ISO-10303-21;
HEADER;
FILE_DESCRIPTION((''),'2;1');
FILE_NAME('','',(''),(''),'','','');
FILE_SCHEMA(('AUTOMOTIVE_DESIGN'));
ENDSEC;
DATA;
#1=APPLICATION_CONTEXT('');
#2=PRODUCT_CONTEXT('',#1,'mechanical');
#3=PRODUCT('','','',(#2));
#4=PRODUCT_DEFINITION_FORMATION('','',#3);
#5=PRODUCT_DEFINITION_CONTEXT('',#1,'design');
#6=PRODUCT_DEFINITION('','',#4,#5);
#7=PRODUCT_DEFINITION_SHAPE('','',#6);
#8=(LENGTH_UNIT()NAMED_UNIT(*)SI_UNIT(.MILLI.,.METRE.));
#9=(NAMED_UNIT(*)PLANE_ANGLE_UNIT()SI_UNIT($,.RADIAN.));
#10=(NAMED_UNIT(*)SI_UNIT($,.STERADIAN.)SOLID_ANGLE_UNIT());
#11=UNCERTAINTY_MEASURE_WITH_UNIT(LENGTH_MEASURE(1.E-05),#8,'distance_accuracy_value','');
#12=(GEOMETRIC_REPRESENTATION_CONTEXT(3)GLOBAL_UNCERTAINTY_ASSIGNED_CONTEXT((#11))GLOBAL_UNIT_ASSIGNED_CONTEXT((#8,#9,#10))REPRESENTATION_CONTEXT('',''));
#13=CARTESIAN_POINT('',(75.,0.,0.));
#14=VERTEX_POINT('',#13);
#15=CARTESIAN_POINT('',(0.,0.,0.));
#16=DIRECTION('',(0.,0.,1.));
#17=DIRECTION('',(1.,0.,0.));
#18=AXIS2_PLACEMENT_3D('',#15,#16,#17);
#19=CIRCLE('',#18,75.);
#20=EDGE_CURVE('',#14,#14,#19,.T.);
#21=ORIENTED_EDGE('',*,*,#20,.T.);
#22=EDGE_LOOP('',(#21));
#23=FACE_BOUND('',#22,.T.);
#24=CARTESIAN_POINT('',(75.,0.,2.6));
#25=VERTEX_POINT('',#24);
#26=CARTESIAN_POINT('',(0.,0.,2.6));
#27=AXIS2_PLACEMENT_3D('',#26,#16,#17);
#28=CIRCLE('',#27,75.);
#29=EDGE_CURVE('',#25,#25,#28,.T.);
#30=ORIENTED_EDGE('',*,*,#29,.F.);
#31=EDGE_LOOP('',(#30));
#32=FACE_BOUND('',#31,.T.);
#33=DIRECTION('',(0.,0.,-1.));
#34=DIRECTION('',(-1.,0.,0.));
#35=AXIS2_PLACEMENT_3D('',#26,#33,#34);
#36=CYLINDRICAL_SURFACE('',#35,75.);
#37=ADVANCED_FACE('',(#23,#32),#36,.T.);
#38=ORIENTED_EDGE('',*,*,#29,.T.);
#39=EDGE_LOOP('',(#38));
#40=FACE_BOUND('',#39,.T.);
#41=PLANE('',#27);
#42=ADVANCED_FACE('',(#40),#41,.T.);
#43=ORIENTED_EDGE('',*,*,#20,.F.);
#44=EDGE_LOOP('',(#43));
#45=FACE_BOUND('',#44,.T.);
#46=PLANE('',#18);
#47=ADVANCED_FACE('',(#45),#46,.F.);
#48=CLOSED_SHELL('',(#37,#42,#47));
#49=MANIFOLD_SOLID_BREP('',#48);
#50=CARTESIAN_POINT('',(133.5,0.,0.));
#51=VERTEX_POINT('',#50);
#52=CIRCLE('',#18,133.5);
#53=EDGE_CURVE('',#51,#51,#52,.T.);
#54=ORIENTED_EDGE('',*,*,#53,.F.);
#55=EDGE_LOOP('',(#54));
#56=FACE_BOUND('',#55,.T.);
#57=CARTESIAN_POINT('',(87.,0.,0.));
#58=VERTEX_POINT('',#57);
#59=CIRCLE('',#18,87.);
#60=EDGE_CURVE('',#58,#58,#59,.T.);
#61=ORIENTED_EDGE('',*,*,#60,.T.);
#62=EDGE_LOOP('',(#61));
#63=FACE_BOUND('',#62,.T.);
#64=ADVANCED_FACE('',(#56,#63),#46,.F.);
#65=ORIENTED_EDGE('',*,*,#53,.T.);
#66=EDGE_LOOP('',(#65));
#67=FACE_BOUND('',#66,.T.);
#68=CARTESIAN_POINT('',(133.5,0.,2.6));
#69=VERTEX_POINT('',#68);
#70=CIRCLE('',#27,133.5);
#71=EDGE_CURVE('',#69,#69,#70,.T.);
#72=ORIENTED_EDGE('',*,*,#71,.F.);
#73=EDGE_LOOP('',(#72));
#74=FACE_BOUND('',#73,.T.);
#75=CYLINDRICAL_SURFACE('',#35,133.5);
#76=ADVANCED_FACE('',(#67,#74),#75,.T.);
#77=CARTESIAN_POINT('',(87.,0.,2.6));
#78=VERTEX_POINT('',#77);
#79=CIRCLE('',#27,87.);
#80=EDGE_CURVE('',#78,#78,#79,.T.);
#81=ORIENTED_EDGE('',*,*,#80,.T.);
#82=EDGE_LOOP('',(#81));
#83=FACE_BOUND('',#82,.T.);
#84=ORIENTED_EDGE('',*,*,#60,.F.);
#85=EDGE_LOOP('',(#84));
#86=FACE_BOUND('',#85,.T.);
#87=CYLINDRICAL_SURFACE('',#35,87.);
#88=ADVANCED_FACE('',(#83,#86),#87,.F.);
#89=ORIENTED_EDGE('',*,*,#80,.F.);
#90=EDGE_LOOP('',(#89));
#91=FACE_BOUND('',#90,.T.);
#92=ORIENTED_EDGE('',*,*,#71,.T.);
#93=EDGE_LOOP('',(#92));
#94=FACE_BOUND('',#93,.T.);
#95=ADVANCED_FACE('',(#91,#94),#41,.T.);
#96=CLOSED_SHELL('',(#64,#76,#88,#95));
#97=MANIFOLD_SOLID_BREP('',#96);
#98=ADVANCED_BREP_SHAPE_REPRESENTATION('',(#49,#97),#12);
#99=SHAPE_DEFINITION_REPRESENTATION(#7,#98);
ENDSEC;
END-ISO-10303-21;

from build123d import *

# Parameters (mm, degrees)
SKETCH2_R           = 75
BOSS_EXTRUDE1_DEPTH = 2.6
SKETCH2_3_R         = 133.5
SKETCH2_3_R_2       = 87
BOSS_EXTRUDE2_DEPTH = 2.6


with BuildPart() as part:
    # Sketch2 → Boss-Extrude1 (new body)
    with BuildSketch(Plane.XY):
        Circle(SKETCH2_R)
    extrude(amount=BOSS_EXTRUDE1_DEPTH)


with BuildPart() as body_2:
    # Sketch2<3> → Boss-Extrude2 (new body)
    with BuildSketch(Plane.XY):
        Circle(SKETCH2_3_R)
        Circle(SKETCH2_3_R_2, mode=Mode.SUBTRACT)
    extrude(amount=BOSS_EXTRUDE2_DEPTH)


solid = Compound([part.part, body_2.part])
